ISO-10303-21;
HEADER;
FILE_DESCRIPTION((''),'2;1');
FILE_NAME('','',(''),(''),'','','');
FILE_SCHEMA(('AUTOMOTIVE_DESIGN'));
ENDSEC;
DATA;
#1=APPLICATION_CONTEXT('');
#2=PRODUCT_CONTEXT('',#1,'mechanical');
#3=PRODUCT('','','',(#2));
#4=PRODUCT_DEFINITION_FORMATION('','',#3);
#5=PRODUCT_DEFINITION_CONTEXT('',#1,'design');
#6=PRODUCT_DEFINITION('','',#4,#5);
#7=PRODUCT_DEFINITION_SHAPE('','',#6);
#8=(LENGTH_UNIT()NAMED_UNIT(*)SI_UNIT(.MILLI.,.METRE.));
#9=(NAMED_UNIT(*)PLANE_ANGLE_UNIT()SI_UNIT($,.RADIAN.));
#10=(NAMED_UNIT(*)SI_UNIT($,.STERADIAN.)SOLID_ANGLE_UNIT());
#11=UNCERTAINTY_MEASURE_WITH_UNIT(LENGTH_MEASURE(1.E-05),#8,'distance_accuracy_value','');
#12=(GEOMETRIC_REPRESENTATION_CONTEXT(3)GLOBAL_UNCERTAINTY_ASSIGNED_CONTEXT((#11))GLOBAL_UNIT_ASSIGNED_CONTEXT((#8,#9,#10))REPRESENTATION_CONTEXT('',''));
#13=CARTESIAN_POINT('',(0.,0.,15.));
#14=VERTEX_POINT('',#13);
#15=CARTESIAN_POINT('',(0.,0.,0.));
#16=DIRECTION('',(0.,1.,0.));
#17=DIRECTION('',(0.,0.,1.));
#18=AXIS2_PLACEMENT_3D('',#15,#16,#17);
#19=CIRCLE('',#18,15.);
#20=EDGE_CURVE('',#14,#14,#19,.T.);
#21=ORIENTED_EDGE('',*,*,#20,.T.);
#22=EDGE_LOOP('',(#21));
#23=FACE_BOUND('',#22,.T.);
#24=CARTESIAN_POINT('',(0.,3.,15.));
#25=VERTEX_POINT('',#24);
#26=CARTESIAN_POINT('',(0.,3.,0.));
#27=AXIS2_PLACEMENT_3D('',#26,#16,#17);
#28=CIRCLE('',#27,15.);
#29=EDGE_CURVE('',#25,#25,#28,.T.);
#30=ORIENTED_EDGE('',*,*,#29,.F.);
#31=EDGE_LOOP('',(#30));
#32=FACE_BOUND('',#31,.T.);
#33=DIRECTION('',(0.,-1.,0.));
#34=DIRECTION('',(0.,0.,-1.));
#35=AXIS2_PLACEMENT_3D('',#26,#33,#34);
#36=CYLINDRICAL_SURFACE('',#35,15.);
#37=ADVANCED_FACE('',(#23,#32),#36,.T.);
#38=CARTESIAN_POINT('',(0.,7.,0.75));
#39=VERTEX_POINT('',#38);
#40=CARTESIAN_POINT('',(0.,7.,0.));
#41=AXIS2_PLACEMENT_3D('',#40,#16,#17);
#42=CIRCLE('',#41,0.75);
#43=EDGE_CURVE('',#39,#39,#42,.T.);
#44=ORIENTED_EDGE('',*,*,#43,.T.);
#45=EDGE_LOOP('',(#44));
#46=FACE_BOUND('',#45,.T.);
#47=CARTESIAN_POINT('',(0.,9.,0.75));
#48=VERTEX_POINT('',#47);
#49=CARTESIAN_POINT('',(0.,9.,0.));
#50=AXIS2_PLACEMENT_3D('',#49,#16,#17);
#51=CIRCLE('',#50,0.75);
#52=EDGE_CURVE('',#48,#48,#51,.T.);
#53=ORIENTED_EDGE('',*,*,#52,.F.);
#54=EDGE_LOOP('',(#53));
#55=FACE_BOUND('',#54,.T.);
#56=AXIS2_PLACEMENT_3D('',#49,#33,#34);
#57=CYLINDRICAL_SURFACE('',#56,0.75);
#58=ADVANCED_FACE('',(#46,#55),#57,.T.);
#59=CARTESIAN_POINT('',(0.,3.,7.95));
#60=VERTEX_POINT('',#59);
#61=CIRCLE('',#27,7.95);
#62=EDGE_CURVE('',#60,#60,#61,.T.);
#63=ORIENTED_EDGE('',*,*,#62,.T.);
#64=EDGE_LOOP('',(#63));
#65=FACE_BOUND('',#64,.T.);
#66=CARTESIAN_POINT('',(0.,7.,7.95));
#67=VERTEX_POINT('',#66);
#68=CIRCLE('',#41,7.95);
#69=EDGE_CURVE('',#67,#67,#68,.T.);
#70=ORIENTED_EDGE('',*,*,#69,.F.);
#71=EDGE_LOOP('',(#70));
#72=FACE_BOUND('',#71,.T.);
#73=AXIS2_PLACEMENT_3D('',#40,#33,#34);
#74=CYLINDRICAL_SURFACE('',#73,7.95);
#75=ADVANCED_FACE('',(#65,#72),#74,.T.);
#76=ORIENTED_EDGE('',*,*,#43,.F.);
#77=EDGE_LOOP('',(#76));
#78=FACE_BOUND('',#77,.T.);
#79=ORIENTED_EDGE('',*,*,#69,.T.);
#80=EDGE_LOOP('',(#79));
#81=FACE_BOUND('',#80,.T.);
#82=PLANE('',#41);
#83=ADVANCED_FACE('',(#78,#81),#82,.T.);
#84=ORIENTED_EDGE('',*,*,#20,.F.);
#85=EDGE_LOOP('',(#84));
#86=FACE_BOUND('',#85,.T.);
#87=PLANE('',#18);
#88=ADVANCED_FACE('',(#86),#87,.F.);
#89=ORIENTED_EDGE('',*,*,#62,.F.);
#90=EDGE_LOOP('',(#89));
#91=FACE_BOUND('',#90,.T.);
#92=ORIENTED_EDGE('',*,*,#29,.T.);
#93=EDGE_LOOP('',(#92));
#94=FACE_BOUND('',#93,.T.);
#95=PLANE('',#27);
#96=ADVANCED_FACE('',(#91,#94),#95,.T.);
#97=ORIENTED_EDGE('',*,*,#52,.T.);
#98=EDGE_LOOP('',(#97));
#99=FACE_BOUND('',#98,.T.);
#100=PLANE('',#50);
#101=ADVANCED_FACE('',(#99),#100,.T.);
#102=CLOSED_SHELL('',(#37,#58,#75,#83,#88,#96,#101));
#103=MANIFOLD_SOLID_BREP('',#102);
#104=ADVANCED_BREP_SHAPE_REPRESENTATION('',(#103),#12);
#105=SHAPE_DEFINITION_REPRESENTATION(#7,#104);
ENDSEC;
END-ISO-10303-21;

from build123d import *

# Parameters (mm, degrees)
SKETCH_1_R      = 15
EXTRUDE_1_DEPTH = 3
SKETCH_2_R      = 7.95
EXTRUDE_2_DEPTH = 4
SKETCH_3_R      = 0.75
EXTRUDE_3_DEPTH = 2


with BuildPart() as part:
    # 草图1 → 凸台-拉伸1 (new body)
    with BuildSketch(Plane(origin=(0, 0, 0), x_dir=(1, 0, 0), z_dir=(0, 1, 0))):
        Circle(SKETCH_1_R)
    extrude(amount=EXTRUDE_1_DEPTH)

    # 草图2 → 凸台-拉伸2 (add)
    with BuildSketch(Plane(origin=(0, 3, 0), x_dir=(1, 0, 0), z_dir=(0, 1, 0))):
        Circle(SKETCH_2_R)
    extrude(amount=EXTRUDE_2_DEPTH)

    # 草图3 → 凸台-拉伸3 (add)
    with BuildSketch(Plane(origin=(0, 7, 0), x_dir=(1, 0, 0), z_dir=(0, 1, 0))):
        Circle(SKETCH_3_R)
    extrude(amount=EXTRUDE_3_DEPTH)


solid = part.part
